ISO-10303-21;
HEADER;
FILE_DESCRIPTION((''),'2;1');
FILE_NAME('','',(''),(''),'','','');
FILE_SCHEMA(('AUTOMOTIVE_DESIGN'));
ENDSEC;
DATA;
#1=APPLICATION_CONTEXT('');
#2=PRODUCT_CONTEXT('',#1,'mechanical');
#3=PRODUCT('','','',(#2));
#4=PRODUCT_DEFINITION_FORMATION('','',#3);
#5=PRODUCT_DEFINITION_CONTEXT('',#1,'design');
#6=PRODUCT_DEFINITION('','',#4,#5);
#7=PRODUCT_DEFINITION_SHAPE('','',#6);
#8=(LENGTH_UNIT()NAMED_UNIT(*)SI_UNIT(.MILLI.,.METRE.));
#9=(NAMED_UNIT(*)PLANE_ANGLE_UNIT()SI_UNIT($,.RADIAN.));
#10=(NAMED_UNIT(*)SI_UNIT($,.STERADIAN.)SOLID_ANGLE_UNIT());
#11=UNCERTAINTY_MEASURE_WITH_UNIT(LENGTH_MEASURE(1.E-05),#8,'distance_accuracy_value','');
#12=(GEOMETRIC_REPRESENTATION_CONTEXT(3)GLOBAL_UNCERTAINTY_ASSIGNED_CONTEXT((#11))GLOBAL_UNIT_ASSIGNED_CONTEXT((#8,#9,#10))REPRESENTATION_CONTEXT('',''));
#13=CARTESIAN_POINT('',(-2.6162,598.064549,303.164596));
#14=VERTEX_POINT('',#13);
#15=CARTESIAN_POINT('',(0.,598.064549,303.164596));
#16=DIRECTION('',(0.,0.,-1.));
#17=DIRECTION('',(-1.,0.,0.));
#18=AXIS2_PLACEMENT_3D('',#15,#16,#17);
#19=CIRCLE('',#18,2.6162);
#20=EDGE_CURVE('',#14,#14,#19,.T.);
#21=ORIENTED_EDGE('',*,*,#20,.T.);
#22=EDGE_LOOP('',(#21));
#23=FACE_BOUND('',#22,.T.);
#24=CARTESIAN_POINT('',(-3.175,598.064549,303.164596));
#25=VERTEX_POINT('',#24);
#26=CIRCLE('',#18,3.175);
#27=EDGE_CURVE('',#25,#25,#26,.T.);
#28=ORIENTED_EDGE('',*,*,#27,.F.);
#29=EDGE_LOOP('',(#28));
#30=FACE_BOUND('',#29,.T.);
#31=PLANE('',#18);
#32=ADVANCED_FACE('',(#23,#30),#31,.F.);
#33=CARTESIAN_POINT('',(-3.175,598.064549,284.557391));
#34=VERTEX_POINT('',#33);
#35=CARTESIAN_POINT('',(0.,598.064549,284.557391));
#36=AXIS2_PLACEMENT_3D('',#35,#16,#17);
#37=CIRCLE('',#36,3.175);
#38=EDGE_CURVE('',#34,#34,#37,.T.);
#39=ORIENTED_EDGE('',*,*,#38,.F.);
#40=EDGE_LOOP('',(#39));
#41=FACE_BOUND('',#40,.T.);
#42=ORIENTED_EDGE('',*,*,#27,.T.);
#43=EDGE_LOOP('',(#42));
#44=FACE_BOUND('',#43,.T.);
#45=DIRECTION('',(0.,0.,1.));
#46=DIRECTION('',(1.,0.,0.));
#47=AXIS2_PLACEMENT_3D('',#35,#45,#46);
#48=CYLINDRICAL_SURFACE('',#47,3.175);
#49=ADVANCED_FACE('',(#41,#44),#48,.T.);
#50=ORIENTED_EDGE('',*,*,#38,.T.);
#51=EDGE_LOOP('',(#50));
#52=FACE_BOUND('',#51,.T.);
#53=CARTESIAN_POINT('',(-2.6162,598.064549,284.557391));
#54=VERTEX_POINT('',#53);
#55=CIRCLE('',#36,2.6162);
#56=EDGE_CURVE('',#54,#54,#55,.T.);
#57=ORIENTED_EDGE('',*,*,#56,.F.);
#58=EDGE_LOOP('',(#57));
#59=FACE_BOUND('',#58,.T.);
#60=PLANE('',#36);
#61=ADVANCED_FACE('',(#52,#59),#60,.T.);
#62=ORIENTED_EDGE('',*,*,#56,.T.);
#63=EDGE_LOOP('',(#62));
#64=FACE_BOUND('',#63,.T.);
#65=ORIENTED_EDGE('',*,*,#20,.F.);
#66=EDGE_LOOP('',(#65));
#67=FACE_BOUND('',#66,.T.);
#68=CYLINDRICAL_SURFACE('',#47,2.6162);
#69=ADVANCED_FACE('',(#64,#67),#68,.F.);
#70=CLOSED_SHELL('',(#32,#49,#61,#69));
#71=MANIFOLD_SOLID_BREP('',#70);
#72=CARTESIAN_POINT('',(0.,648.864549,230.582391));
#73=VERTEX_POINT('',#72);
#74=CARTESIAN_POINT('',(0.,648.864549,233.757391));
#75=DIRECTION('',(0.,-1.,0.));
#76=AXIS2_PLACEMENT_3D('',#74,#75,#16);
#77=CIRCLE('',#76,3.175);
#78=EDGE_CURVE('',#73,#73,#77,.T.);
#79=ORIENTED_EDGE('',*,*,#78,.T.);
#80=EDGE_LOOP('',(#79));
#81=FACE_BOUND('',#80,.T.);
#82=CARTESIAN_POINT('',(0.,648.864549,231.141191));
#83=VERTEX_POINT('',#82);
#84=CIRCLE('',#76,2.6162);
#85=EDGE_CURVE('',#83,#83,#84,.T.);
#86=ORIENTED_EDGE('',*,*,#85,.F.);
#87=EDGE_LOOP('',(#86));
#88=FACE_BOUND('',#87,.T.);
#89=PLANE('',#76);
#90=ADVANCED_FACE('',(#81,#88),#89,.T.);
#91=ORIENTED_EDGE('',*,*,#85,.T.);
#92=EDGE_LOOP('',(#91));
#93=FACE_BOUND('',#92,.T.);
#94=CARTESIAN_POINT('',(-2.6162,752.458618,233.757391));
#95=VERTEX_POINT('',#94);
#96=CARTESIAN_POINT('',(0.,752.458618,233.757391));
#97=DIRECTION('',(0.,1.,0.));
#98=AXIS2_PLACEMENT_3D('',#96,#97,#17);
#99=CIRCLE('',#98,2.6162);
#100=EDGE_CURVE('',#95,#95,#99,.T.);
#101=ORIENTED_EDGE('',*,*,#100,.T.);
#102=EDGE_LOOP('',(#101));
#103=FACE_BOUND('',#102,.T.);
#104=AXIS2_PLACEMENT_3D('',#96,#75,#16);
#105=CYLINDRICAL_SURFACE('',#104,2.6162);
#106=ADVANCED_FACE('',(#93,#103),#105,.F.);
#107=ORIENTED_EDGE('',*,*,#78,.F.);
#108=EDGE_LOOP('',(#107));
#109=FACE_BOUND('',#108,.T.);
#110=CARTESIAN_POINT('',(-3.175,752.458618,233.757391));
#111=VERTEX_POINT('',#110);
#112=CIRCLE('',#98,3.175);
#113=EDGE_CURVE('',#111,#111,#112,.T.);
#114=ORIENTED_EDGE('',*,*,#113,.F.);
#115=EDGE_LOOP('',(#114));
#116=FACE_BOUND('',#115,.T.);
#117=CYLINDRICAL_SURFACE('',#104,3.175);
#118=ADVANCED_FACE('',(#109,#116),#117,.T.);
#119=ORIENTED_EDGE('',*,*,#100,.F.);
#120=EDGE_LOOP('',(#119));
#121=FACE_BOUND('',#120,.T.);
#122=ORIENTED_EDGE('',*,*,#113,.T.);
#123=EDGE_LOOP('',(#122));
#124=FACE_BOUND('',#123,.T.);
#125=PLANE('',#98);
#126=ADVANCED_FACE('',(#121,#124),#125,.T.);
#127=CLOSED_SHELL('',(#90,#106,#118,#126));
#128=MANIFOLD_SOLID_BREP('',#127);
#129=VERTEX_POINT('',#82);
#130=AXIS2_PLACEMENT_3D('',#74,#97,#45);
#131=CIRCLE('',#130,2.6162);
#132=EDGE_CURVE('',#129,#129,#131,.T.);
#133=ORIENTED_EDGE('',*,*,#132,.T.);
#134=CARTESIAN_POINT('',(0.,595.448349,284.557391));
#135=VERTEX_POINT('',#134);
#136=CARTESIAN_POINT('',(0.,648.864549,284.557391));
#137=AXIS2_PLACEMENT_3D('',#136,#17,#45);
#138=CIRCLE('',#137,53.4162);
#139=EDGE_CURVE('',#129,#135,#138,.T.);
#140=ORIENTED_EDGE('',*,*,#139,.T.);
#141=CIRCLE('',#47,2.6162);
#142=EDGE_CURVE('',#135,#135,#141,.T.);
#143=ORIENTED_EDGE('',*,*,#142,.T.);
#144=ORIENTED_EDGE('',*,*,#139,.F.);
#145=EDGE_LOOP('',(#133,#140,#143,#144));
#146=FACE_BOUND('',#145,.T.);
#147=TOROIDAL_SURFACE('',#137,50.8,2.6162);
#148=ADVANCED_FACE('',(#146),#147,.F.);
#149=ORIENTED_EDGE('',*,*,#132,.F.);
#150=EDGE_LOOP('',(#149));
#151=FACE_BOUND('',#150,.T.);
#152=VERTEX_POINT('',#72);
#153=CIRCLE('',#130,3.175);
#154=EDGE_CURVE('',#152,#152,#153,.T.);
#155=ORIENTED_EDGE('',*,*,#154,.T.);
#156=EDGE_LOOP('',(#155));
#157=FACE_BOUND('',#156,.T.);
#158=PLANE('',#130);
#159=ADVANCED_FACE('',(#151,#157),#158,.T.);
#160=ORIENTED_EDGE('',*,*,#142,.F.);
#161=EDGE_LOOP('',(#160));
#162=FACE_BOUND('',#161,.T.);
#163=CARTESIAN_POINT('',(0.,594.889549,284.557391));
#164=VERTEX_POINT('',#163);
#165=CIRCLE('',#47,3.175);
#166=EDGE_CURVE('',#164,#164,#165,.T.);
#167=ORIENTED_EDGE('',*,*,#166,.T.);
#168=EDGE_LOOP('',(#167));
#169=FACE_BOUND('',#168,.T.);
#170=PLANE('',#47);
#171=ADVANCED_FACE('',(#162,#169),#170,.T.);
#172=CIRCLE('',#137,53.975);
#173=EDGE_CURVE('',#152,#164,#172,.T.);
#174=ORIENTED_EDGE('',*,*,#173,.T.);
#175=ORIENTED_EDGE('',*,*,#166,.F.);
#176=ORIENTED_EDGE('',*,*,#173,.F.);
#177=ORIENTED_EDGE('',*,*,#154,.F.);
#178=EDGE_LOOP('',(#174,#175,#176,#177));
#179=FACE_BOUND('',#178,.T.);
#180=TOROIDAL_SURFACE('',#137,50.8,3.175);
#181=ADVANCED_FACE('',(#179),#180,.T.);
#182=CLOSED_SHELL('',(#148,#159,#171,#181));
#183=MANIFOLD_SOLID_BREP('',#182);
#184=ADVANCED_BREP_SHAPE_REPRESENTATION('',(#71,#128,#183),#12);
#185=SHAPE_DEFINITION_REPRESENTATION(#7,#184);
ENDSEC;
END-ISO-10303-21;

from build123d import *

# Parameters (mm, degrees)
SKETCH11_R                = 3.175
SKETCH11_R_2              = 2.6162
PIPE_0_5_SCH_40_1_DEPTH   = 18.607204999
SKETCH11_ON_SEGMENT_2_R   = 3.175
SKETCH11_ON_SEGMENT_2_R_2 = 2.6162
PIPE_0_5_SCH_40_1_2_ANGLE = 90
SKETCH11_ON_SEGMENT_3_R   = 3.175
SKETCH11_ON_SEGMENT_3_R_2 = 2.6162
PIPE_0_5_SCH_40_1_3_DEPTH = 103.594068945


with BuildPart() as part:
    # Sketch11 → Pipe 0.5 SCH 40(1) (new body)
    with BuildSketch(Plane(origin=(0, 598.064549316, 303.164595711), x_dir=(0, 1, 0), z_dir=(0, 0, -1))):
        Circle(SKETCH11_R)
        Circle(SKETCH11_R_2, mode=Mode.SUBTRACT)
    extrude(amount=PIPE_0_5_SCH_40_1_DEPTH)


with BuildPart() as body_2:
    # Sketch11 on segment 2 (carried to the start of arc 2) → Pipe 0.5 SCH 40_1 2 (revolve)
    with BuildSketch(Plane(origin=(0, 598.064549316, 284.557390712), x_dir=(0, 1, 0), z_dir=(0, 0, -1))):
        Circle(SKETCH11_ON_SEGMENT_2_R)
        Circle(SKETCH11_ON_SEGMENT_2_R_2, mode=Mode.SUBTRACT)
    revolve(axis=Axis((0, 648.864549316, 284.557390712), (1, 0, 0)), revolution_arc=PIPE_0_5_SCH_40_1_2_ANGLE)


with BuildPart() as body_3:
    # Sketch11 on segment 3 (carried to segment 3) → Pipe 0.5 SCH 40_1 3 (new body)
    with BuildSketch(Plane(origin=(0, 648.864549316, 233.757390712), x_dir=(0, 0, 1), z_dir=(0, 1, 0))):
        Circle(SKETCH11_ON_SEGMENT_3_R)
        Circle(SKETCH11_ON_SEGMENT_3_R_2, mode=Mode.SUBTRACT)
    extrude(amount=PIPE_0_5_SCH_40_1_3_DEPTH)


solid = Compound([part.part, body_2.part, body_3.part])
